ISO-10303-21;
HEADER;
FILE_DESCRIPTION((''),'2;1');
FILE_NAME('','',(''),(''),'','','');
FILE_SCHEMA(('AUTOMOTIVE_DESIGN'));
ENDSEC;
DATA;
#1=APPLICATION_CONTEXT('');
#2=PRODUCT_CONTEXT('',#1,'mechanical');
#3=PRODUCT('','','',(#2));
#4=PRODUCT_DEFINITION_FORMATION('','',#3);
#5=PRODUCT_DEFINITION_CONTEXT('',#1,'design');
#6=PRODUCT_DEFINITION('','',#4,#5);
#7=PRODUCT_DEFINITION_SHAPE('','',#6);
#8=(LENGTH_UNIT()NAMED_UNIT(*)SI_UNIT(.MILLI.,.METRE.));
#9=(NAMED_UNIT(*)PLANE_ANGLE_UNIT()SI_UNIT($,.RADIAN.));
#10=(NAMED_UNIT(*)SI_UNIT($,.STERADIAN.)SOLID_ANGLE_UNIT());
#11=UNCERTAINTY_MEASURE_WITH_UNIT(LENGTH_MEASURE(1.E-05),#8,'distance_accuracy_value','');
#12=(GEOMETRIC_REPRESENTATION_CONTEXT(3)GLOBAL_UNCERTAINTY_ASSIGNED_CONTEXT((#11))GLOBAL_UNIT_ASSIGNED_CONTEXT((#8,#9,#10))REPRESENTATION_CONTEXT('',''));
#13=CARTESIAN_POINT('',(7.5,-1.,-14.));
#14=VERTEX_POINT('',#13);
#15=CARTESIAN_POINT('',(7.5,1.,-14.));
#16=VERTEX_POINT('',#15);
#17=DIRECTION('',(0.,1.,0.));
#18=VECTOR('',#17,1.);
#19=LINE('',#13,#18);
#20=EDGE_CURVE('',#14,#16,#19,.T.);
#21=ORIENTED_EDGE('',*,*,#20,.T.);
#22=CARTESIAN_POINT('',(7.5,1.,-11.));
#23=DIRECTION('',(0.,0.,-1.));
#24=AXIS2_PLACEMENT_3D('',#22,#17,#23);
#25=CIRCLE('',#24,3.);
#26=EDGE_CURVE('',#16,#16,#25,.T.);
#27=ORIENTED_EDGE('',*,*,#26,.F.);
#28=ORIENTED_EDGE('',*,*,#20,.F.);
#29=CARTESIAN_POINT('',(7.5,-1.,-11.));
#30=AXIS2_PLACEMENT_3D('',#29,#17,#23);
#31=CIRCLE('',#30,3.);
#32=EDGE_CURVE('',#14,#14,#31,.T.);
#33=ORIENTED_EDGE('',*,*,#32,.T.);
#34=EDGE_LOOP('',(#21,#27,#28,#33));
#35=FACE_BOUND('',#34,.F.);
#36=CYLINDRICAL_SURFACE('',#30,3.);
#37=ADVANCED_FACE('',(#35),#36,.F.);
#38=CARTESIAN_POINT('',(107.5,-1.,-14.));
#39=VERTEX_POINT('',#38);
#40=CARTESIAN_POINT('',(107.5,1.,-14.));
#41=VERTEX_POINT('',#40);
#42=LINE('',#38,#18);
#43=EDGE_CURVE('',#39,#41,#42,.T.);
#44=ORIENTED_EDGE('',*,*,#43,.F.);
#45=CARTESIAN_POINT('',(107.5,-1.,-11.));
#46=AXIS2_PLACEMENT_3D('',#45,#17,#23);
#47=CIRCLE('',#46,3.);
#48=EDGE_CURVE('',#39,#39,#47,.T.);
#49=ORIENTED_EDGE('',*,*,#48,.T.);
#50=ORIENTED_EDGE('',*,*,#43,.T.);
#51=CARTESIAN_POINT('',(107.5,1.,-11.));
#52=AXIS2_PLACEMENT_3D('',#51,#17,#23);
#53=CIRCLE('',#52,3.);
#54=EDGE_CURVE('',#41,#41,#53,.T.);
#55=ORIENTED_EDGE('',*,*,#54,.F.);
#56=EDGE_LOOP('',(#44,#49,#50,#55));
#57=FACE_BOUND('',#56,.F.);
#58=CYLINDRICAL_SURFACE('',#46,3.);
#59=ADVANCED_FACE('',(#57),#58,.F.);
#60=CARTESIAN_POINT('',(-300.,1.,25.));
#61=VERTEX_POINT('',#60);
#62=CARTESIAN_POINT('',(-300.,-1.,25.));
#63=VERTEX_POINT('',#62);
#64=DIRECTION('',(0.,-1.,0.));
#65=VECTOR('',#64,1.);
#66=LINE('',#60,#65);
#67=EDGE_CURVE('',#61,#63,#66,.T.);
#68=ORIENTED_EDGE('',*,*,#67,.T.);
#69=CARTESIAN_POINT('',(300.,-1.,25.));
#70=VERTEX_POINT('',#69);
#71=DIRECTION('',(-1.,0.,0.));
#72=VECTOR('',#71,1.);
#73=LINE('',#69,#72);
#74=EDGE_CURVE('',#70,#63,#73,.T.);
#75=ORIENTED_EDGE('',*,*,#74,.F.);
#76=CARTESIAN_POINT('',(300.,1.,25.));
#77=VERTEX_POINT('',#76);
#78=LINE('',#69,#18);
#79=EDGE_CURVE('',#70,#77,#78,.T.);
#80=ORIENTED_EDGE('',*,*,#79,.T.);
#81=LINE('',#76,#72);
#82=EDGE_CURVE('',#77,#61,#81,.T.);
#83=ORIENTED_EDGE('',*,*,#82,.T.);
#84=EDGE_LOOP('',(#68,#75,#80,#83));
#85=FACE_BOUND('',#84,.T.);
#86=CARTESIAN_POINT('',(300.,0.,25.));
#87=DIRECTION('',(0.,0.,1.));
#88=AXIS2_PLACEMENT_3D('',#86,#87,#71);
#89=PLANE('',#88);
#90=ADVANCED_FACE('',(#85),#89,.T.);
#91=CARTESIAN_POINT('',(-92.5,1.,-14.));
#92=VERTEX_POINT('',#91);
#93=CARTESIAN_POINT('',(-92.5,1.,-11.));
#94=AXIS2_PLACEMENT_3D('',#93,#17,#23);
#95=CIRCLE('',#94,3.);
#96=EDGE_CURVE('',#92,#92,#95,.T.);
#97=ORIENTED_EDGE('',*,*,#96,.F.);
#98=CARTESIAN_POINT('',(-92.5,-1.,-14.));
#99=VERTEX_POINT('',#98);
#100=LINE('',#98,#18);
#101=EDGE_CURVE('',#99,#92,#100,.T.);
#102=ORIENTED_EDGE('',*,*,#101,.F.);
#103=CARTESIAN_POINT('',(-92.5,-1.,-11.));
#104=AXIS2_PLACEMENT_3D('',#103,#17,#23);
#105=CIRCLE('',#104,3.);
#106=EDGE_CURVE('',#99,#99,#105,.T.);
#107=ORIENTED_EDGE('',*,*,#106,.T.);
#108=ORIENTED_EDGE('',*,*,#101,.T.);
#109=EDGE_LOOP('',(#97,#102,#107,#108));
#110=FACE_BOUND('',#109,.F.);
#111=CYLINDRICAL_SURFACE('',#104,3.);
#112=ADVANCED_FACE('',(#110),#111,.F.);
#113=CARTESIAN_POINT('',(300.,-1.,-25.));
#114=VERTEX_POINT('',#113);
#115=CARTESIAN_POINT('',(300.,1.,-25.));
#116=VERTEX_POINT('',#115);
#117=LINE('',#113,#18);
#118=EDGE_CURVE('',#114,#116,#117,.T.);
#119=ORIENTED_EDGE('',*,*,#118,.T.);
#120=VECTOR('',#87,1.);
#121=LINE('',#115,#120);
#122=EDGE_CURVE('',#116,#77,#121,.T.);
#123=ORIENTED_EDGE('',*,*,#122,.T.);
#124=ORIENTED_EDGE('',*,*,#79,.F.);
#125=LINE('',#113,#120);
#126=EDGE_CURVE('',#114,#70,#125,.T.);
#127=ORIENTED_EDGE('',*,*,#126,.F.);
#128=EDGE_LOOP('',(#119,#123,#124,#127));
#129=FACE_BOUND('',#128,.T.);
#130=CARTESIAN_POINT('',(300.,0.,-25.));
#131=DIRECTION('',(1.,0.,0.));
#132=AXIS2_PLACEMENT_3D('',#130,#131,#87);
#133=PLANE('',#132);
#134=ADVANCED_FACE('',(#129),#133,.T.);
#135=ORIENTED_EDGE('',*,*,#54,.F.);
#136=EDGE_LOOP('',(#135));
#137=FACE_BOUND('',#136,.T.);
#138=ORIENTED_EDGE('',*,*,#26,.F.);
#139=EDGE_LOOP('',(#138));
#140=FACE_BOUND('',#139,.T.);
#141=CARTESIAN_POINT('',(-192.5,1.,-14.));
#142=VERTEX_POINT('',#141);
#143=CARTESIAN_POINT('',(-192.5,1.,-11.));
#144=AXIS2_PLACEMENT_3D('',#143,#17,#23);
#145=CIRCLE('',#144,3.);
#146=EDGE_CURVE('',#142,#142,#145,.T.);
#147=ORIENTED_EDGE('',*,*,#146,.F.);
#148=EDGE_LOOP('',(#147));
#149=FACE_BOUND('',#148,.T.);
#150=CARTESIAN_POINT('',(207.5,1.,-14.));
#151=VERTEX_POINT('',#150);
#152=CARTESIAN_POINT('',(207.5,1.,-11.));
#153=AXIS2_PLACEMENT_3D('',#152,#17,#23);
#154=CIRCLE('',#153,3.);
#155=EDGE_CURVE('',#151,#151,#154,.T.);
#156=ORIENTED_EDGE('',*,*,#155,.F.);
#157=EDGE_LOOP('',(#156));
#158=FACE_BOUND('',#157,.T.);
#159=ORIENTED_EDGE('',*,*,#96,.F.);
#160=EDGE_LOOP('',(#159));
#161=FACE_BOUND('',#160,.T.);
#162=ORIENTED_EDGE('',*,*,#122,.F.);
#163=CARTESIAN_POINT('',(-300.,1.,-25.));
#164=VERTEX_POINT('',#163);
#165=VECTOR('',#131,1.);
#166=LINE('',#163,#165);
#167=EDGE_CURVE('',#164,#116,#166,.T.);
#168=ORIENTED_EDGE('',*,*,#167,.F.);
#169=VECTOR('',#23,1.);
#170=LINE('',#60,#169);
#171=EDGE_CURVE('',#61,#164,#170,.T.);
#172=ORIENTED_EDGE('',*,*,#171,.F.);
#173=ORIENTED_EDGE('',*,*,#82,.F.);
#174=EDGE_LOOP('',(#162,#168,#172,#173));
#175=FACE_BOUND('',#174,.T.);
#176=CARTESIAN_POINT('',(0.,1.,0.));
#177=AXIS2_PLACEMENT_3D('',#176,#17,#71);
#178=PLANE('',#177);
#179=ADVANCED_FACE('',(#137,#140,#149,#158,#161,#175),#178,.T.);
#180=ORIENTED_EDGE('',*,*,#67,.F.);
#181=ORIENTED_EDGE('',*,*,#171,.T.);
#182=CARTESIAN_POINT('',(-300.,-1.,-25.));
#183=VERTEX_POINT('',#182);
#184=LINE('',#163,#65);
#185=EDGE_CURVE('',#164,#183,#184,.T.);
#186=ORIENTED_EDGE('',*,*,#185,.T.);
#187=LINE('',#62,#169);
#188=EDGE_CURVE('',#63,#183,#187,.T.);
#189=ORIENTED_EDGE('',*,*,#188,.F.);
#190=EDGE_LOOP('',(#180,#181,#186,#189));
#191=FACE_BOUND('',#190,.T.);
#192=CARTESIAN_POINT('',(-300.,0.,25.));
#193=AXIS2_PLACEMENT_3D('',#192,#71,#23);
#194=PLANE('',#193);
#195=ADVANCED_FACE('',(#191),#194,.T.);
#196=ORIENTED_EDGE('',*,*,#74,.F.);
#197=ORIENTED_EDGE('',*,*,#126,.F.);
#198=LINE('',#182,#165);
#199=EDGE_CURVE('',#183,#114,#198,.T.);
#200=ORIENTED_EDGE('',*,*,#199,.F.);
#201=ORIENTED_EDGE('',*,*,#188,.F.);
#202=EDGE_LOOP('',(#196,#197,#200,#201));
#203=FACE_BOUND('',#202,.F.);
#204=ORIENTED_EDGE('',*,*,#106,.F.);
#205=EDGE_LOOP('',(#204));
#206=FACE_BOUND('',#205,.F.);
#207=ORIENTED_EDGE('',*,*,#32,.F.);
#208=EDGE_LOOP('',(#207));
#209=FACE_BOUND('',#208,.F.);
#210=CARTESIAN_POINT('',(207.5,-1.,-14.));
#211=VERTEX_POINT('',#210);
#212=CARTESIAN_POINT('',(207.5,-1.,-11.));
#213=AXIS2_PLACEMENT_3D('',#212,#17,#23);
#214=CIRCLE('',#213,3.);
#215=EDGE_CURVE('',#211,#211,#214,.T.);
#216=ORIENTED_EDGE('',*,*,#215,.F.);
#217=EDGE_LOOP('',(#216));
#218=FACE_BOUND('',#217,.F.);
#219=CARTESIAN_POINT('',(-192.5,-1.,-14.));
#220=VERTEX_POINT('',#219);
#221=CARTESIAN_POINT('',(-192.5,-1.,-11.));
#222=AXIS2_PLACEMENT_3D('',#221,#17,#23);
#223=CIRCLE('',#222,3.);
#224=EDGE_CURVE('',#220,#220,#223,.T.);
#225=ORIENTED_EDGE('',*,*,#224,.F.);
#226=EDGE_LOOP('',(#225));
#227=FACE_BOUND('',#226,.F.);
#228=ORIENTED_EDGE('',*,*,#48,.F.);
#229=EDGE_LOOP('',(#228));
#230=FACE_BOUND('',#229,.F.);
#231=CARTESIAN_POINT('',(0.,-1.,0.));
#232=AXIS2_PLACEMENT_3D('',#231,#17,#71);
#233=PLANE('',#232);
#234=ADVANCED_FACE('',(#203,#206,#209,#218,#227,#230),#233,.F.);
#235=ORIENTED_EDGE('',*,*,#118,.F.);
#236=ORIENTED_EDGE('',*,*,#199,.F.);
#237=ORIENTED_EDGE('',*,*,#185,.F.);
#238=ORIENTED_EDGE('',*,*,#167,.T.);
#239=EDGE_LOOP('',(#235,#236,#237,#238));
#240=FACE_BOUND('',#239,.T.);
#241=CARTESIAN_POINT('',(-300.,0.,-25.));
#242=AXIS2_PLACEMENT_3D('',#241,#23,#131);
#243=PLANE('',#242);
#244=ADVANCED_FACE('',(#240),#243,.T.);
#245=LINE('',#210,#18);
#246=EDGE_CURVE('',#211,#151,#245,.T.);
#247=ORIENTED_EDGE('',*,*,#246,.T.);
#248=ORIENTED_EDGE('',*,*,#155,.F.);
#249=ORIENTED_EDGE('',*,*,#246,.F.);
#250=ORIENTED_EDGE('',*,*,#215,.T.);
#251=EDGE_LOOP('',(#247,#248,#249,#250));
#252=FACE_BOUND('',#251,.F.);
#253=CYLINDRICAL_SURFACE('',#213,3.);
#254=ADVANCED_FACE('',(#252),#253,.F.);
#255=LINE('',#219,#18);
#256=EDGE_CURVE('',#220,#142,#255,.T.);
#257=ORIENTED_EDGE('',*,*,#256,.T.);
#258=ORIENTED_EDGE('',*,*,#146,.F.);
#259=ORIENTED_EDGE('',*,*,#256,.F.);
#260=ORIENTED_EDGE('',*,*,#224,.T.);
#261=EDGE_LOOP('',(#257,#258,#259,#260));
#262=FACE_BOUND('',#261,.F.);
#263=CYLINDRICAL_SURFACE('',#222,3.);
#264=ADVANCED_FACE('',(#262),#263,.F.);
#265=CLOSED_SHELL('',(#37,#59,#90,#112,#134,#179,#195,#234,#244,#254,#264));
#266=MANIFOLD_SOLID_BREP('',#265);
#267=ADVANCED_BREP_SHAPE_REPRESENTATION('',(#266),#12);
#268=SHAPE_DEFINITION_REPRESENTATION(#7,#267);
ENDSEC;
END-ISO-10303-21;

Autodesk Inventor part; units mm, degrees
ref_plane "YZ Plane" through (0, 0, 0) normal (1, 0, 0) x (0, 1, 0)
ref_plane "XZ Plane" through (0, 0, 0) normal (0, 1, 0) x (-1, 0, 0)
ref_plane "XY Plane" through (0, 0, 0) normal (0, 0, 1) x (1, 0, 0)
sketch "Sketch1" plane through (0, 0, 0) normal (0, 1, 0) x (-1, 0, 0)
  line L0 (-300, 25) -> (300, 25)
  line L1 (300, 25) -> (300, -25)
  line L2 (300, -25) -> (-300, -25)
  line L3 (-300, -25) -> (-300, 25)
  line L4 (-300, 25) -> (300, -25) construction
  line L5 (300, 25) -> (-300, -25) construction
  point P0 (0, 0)
  dimension "d0" = 600
  dimension "d1" = 50
extrude "Plate1" add sketch "Sketch1" along normal mid plane 2
sketch "Sketch2" plane through (0, -1, 0) normal (0, -1, 0) x (1, 0, 0)
  circle A0 centre (-192.5, -11) radius 2.5 projected
  circle A1 centre (-92.5, -11) radius 2.5 projected
  circle A2 centre (7.5, -11) radius 2.5 projected
  line L0 (300, 25) -> (-300, 25) projected
  line L1 (-300, 25) -> (-300, -25) projected
  line L2 (-300, -25) -> (300, -25) projected
  line L3 (300, -25) -> (300, 25) projected
  circle A3 centre (107.5, -11) radius 2.5 projected
  circle A4 centre (207.5, -11) radius 2.5 projected
  point P0 (0, 0)
hole "Hole1" at (-192.5, -1, -11) at (-92.5, -1, -11) at (7.5, -1, -11) at (107.5, -1, -11) at (207.5, -1, -11) direction (0, 1, 0) diameter 6 end through all
equation "\"d8\" = Thickness"
equation "\"d2\" = Thickness"
equation "\"BendRadius\" = Thickness"
equation "\"BendReliefWidth\" = Thickness"
equation "\"BendReliefDepth\" = 0.5 * Thickness"
equation "\"CornerReliefSize\" = 4 * Thickness"
equation "\"MinimumRemnant\" = 2 * Thickness"
equation "\"TransitionRadius\" = BendRadius"
equation "\"JacobiRadiusSize\" = BendRadius"
equation "\"GapSize\" = Thickness"
equation "\"Thickness\" = 2"
properties part number "HCMUTE-CDT23-BTC-VND" material "PMMA Plastic"
